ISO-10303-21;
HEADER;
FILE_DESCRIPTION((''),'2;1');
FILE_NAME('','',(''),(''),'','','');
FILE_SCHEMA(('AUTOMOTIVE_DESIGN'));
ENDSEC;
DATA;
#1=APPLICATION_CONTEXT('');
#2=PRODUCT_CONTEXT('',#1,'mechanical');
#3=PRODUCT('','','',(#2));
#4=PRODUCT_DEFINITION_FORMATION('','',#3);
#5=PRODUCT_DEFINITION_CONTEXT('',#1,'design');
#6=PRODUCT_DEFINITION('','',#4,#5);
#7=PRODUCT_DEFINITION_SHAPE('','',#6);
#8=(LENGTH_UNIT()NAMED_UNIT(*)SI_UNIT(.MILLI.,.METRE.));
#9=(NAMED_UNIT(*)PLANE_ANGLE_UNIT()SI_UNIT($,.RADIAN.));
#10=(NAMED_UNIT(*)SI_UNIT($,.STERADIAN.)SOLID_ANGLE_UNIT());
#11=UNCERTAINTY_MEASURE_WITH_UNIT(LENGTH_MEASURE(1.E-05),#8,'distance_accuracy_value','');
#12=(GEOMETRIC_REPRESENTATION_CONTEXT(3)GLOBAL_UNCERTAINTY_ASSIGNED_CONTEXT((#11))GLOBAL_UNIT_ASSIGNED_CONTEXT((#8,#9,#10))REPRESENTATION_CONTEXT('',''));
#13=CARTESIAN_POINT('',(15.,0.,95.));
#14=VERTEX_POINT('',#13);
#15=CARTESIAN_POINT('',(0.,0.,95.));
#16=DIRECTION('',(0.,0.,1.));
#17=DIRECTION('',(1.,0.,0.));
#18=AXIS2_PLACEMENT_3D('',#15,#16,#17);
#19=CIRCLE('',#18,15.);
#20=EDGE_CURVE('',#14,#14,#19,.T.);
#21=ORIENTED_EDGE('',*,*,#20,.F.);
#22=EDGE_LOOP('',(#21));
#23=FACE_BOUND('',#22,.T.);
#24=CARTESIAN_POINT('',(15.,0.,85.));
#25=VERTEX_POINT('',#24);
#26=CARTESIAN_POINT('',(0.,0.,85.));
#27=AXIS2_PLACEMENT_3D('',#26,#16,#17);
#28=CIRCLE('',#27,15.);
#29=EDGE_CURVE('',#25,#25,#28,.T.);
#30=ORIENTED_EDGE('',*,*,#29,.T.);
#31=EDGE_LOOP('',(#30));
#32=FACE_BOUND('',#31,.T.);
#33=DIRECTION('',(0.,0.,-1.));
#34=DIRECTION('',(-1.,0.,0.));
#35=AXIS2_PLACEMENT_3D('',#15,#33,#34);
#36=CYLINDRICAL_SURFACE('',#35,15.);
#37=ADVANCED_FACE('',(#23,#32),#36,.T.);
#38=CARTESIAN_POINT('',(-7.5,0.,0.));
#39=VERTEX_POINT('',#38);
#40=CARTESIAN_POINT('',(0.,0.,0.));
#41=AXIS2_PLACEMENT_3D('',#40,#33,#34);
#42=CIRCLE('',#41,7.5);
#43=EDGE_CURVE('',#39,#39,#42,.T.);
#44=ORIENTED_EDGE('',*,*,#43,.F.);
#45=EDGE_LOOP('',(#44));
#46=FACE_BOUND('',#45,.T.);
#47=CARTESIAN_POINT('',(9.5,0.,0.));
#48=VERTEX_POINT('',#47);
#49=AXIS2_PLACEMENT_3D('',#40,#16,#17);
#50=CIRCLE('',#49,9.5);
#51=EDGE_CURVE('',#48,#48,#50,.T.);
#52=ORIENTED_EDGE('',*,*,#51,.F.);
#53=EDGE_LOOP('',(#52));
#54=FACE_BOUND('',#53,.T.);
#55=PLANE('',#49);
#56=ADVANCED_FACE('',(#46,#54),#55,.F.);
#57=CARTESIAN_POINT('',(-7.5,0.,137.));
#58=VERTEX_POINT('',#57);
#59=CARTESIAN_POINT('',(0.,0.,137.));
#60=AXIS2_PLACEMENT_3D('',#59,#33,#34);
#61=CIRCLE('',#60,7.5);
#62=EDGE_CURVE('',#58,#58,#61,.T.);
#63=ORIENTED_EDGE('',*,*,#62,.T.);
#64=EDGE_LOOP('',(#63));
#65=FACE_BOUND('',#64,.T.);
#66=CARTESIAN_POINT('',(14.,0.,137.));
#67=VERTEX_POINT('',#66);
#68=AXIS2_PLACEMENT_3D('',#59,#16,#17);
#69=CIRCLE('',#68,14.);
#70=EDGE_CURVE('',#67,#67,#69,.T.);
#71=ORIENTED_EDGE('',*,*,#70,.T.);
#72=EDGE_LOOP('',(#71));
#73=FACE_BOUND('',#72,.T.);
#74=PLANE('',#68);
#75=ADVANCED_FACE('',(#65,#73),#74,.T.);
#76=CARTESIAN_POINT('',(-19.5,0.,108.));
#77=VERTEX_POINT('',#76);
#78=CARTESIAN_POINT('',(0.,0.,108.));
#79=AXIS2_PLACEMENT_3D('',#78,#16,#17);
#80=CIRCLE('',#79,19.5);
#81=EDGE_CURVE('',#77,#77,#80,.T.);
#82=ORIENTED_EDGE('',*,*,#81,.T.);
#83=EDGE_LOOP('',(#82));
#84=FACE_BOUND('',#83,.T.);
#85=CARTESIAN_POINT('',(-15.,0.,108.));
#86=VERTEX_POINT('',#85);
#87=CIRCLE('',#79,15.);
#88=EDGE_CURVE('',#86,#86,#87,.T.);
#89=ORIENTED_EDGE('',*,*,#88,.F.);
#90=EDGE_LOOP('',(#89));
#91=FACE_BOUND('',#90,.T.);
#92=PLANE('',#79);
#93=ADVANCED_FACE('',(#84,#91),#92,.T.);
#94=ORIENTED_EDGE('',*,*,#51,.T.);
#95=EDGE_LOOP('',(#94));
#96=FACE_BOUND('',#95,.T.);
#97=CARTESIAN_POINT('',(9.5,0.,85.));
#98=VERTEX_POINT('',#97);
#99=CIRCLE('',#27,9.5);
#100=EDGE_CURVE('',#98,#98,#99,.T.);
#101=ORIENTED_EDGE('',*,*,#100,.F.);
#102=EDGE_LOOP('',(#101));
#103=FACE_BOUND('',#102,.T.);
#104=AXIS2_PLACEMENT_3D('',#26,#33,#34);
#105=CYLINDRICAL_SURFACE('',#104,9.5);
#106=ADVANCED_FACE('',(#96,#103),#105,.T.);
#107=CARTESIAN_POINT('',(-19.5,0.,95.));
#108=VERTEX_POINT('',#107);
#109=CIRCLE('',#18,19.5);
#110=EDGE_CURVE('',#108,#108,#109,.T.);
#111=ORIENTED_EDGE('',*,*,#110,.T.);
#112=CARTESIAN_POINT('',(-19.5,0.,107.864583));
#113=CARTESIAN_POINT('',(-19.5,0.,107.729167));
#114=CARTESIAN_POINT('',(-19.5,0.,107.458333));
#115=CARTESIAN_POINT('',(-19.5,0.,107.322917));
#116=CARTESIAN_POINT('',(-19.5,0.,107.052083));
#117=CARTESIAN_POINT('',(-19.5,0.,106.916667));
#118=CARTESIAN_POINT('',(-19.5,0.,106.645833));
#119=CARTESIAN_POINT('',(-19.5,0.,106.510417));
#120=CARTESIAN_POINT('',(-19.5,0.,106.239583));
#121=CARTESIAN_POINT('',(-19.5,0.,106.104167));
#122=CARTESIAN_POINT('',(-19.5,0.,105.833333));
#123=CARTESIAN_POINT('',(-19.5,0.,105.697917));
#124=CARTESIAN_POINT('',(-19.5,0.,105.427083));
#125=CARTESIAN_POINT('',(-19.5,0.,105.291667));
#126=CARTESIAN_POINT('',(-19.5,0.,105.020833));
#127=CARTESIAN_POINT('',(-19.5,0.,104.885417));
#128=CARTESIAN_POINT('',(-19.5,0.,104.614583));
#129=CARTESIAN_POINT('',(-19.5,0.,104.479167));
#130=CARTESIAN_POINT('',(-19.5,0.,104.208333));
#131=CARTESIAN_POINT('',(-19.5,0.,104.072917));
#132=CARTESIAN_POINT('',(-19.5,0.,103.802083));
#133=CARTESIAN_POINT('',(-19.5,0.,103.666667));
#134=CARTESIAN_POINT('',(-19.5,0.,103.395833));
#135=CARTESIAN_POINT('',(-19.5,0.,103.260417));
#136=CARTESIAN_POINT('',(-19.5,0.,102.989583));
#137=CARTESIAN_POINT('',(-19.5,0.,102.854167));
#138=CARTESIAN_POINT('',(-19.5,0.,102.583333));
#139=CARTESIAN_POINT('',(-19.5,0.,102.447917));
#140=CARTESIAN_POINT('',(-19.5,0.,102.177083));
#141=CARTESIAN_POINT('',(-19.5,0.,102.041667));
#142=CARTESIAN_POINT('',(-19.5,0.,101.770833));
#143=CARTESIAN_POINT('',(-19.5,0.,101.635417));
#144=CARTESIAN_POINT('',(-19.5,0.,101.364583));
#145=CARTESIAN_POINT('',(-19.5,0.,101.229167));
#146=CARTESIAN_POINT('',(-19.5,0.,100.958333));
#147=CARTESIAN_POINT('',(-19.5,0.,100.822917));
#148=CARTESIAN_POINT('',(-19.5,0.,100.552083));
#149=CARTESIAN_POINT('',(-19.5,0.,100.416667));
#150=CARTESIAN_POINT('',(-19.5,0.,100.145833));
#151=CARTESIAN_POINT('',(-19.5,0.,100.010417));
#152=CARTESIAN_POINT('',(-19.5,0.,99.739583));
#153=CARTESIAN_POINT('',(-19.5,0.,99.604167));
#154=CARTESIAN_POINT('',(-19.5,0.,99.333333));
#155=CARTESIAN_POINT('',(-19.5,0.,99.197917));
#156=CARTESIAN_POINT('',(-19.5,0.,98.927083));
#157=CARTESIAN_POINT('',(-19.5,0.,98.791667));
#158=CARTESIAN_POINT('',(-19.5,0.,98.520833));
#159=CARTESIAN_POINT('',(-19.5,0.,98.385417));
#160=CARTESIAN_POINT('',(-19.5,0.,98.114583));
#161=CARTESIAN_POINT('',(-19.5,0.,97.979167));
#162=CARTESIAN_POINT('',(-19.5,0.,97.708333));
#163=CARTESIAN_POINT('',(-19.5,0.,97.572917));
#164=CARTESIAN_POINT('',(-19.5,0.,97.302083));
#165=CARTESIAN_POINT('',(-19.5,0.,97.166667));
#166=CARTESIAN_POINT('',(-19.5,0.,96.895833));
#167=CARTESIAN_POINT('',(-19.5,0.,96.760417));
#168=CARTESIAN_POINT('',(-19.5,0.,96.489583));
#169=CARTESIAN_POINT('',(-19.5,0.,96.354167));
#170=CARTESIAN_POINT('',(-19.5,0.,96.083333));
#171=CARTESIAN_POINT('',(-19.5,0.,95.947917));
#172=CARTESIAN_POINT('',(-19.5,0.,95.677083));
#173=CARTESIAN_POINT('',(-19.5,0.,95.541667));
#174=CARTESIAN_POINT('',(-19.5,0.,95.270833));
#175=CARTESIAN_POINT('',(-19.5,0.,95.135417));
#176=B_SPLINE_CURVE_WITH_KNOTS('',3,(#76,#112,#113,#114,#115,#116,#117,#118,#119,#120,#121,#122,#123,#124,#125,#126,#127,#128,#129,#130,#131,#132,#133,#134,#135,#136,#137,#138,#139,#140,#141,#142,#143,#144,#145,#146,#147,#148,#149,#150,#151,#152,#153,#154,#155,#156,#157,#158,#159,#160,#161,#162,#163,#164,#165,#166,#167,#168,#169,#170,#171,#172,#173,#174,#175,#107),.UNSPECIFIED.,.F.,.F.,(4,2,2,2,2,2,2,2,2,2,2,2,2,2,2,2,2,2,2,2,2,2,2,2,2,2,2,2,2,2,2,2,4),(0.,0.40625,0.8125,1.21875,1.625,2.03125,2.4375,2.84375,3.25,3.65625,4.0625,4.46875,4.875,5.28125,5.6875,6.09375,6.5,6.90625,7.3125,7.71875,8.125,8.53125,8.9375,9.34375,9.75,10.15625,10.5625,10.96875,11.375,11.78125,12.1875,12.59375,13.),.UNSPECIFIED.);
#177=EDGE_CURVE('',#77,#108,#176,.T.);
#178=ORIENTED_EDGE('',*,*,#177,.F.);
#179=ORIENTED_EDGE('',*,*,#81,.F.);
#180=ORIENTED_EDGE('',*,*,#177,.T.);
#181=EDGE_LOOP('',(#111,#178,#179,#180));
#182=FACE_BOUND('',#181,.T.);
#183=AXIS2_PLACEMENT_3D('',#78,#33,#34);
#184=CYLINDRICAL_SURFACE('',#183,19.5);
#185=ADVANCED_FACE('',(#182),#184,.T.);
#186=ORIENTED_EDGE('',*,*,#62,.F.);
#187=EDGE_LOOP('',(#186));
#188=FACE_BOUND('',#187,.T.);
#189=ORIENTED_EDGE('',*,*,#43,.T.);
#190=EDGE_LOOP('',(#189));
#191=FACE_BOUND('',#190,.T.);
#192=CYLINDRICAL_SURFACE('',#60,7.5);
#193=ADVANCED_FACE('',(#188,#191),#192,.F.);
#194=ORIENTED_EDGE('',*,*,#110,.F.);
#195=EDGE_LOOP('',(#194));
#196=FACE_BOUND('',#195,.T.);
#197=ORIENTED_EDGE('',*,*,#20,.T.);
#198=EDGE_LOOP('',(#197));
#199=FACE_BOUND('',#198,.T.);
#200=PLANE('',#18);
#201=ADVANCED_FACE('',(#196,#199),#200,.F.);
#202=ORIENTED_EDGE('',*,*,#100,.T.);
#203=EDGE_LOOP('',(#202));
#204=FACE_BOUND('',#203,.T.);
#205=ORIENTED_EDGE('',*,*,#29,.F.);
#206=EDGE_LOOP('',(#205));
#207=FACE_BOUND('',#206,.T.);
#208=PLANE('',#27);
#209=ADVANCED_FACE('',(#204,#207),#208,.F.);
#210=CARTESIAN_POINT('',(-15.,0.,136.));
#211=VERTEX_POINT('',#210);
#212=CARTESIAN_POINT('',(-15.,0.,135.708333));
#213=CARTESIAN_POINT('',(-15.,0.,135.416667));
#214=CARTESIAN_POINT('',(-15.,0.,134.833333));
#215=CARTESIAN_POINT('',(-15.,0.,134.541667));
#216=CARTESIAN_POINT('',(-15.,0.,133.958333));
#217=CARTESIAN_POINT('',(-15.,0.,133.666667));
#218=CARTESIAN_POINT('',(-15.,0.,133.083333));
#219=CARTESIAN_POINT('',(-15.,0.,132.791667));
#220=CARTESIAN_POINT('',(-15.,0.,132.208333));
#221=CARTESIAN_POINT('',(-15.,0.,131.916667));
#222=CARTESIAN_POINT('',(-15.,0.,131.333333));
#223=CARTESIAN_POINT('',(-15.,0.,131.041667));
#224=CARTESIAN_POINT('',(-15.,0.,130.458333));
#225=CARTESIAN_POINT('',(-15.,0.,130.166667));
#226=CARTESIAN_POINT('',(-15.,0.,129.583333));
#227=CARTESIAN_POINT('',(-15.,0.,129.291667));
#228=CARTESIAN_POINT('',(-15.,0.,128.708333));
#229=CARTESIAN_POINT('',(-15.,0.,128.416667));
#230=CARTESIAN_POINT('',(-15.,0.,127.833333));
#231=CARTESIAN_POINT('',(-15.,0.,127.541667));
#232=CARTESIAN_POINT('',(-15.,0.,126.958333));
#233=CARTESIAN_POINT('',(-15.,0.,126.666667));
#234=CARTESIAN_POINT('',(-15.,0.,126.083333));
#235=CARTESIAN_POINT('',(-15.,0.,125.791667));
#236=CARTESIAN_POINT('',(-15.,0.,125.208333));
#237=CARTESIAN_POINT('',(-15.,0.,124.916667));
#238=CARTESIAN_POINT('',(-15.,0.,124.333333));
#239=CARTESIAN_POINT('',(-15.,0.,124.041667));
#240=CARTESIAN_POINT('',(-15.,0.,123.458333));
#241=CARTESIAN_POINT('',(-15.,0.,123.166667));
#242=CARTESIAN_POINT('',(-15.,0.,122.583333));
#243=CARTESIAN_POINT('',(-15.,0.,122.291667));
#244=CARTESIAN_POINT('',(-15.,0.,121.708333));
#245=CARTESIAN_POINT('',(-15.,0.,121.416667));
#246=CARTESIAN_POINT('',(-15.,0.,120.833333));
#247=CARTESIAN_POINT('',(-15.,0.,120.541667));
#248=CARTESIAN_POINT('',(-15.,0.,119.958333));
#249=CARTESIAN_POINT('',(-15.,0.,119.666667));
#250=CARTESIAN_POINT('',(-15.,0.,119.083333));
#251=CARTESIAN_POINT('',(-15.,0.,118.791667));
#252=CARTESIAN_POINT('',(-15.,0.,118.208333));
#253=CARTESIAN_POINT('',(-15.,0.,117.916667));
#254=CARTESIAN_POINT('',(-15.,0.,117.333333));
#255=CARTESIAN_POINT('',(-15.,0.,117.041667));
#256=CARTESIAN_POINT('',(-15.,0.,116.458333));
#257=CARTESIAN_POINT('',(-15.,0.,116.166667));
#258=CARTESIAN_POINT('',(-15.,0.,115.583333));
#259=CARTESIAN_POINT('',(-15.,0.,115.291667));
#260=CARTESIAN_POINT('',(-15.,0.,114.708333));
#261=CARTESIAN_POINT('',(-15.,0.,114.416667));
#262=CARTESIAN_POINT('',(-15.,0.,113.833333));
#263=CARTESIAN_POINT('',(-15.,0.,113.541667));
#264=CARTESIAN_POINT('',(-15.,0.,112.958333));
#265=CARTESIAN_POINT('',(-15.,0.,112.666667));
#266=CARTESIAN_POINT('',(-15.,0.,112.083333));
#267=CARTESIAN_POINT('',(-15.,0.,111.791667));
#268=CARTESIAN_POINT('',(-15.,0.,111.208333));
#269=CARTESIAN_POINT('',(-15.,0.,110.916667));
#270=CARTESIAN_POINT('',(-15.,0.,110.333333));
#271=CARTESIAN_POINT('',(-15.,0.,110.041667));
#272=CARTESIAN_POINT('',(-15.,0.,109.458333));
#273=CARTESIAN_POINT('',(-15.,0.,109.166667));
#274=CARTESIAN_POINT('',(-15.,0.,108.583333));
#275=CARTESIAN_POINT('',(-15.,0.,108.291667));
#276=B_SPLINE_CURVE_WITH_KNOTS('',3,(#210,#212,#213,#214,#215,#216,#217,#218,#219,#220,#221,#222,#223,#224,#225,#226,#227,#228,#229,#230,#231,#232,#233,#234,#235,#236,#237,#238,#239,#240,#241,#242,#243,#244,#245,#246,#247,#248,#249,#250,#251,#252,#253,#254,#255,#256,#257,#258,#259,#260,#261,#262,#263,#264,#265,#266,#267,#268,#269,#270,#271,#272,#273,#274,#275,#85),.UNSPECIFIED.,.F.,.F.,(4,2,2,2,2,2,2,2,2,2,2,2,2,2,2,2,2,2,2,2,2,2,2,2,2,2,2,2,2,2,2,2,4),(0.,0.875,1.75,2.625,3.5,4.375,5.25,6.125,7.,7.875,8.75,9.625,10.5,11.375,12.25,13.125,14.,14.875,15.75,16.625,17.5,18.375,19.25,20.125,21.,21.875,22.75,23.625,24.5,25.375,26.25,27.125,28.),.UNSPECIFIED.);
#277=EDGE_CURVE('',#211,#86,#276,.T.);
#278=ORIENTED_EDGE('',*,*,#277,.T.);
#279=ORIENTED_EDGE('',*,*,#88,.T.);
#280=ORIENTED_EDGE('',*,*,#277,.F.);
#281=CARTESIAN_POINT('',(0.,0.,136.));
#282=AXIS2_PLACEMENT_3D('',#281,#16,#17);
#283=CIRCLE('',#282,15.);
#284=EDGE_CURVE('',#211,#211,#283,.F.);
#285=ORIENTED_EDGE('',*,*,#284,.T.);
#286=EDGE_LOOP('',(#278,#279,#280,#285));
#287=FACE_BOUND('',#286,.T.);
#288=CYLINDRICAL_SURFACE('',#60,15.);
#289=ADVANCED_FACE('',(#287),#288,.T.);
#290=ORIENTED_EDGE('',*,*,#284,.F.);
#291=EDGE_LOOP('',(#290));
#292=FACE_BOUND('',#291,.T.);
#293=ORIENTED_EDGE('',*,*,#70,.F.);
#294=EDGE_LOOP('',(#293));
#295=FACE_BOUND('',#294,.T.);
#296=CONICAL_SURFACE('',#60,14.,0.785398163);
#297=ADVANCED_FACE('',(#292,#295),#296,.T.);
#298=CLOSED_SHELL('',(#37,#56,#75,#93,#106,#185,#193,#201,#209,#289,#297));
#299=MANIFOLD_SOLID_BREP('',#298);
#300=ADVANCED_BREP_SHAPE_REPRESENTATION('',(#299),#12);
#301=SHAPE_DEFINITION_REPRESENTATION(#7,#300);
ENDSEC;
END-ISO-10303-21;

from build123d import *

# Parameters (mm, degrees)
SKETCH_1_R          = 9.5
EXTRUDE_1_DEPTH     = 85
SKETCH_2_R          = 15
EXTRUDE_2_DEPTH     = 10
SKETCH_3_R          = 19.5
EXTRUDE_3_DEPTH     = 13
SKETCH_4_R          = 15
EXTRUDE_4_DEPTH     = 29
CHAMFER_1_SIZE      = 1
SKETCH_5_R          = 7.5
CUT_EXTRUDE_1_DEPTH = 140.747987463


with BuildPart() as part:
    # Эскиз1 → Бобышка-Вытянуть1 (new body)
    with BuildSketch(Plane.XY):
        Circle(SKETCH_1_R)
    extrude(amount=EXTRUDE_1_DEPTH)

    # Эскиз2 → Бобышка-Вытянуть2 (add)
    with BuildSketch(Plane.XY.offset(85)):
        Circle(SKETCH_2_R)
    extrude(amount=EXTRUDE_2_DEPTH)

    # Эскиз3 → Бобышка-Вытянуть3 (add)
    with BuildSketch(Plane.XY.offset(95)):
        with Locations(Location((0, 0, 0), (0, 0, 180))):
            Circle(SKETCH_3_R)
    extrude(amount=EXTRUDE_3_DEPTH)

    # Эскиз4 → Бобышка-Вытянуть4 (add)
    with BuildSketch(Plane.XY.offset(108)):
        Circle(SKETCH_4_R)
    extrude(amount=EXTRUDE_4_DEPTH)

    # Фаска1
    chamfer_1_edges = [part.edges().sort_by_distance(p)[0] for p in [
        (-15, 0, 137),
    ]]
    chamfer(chamfer_1_edges, length=CHAMFER_1_SIZE)

    # Эскиз5 → Вырез-Вытянуть1 (cut, through all)
    with BuildSketch(Plane(origin=(0, 0, 0), x_dir=(-1, 0, 0), z_dir=(0, 0, -1))):
        Circle(SKETCH_5_R)
    extrude(amount=-CUT_EXTRUDE_1_DEPTH, mode=Mode.SUBTRACT)


solid = part.part
